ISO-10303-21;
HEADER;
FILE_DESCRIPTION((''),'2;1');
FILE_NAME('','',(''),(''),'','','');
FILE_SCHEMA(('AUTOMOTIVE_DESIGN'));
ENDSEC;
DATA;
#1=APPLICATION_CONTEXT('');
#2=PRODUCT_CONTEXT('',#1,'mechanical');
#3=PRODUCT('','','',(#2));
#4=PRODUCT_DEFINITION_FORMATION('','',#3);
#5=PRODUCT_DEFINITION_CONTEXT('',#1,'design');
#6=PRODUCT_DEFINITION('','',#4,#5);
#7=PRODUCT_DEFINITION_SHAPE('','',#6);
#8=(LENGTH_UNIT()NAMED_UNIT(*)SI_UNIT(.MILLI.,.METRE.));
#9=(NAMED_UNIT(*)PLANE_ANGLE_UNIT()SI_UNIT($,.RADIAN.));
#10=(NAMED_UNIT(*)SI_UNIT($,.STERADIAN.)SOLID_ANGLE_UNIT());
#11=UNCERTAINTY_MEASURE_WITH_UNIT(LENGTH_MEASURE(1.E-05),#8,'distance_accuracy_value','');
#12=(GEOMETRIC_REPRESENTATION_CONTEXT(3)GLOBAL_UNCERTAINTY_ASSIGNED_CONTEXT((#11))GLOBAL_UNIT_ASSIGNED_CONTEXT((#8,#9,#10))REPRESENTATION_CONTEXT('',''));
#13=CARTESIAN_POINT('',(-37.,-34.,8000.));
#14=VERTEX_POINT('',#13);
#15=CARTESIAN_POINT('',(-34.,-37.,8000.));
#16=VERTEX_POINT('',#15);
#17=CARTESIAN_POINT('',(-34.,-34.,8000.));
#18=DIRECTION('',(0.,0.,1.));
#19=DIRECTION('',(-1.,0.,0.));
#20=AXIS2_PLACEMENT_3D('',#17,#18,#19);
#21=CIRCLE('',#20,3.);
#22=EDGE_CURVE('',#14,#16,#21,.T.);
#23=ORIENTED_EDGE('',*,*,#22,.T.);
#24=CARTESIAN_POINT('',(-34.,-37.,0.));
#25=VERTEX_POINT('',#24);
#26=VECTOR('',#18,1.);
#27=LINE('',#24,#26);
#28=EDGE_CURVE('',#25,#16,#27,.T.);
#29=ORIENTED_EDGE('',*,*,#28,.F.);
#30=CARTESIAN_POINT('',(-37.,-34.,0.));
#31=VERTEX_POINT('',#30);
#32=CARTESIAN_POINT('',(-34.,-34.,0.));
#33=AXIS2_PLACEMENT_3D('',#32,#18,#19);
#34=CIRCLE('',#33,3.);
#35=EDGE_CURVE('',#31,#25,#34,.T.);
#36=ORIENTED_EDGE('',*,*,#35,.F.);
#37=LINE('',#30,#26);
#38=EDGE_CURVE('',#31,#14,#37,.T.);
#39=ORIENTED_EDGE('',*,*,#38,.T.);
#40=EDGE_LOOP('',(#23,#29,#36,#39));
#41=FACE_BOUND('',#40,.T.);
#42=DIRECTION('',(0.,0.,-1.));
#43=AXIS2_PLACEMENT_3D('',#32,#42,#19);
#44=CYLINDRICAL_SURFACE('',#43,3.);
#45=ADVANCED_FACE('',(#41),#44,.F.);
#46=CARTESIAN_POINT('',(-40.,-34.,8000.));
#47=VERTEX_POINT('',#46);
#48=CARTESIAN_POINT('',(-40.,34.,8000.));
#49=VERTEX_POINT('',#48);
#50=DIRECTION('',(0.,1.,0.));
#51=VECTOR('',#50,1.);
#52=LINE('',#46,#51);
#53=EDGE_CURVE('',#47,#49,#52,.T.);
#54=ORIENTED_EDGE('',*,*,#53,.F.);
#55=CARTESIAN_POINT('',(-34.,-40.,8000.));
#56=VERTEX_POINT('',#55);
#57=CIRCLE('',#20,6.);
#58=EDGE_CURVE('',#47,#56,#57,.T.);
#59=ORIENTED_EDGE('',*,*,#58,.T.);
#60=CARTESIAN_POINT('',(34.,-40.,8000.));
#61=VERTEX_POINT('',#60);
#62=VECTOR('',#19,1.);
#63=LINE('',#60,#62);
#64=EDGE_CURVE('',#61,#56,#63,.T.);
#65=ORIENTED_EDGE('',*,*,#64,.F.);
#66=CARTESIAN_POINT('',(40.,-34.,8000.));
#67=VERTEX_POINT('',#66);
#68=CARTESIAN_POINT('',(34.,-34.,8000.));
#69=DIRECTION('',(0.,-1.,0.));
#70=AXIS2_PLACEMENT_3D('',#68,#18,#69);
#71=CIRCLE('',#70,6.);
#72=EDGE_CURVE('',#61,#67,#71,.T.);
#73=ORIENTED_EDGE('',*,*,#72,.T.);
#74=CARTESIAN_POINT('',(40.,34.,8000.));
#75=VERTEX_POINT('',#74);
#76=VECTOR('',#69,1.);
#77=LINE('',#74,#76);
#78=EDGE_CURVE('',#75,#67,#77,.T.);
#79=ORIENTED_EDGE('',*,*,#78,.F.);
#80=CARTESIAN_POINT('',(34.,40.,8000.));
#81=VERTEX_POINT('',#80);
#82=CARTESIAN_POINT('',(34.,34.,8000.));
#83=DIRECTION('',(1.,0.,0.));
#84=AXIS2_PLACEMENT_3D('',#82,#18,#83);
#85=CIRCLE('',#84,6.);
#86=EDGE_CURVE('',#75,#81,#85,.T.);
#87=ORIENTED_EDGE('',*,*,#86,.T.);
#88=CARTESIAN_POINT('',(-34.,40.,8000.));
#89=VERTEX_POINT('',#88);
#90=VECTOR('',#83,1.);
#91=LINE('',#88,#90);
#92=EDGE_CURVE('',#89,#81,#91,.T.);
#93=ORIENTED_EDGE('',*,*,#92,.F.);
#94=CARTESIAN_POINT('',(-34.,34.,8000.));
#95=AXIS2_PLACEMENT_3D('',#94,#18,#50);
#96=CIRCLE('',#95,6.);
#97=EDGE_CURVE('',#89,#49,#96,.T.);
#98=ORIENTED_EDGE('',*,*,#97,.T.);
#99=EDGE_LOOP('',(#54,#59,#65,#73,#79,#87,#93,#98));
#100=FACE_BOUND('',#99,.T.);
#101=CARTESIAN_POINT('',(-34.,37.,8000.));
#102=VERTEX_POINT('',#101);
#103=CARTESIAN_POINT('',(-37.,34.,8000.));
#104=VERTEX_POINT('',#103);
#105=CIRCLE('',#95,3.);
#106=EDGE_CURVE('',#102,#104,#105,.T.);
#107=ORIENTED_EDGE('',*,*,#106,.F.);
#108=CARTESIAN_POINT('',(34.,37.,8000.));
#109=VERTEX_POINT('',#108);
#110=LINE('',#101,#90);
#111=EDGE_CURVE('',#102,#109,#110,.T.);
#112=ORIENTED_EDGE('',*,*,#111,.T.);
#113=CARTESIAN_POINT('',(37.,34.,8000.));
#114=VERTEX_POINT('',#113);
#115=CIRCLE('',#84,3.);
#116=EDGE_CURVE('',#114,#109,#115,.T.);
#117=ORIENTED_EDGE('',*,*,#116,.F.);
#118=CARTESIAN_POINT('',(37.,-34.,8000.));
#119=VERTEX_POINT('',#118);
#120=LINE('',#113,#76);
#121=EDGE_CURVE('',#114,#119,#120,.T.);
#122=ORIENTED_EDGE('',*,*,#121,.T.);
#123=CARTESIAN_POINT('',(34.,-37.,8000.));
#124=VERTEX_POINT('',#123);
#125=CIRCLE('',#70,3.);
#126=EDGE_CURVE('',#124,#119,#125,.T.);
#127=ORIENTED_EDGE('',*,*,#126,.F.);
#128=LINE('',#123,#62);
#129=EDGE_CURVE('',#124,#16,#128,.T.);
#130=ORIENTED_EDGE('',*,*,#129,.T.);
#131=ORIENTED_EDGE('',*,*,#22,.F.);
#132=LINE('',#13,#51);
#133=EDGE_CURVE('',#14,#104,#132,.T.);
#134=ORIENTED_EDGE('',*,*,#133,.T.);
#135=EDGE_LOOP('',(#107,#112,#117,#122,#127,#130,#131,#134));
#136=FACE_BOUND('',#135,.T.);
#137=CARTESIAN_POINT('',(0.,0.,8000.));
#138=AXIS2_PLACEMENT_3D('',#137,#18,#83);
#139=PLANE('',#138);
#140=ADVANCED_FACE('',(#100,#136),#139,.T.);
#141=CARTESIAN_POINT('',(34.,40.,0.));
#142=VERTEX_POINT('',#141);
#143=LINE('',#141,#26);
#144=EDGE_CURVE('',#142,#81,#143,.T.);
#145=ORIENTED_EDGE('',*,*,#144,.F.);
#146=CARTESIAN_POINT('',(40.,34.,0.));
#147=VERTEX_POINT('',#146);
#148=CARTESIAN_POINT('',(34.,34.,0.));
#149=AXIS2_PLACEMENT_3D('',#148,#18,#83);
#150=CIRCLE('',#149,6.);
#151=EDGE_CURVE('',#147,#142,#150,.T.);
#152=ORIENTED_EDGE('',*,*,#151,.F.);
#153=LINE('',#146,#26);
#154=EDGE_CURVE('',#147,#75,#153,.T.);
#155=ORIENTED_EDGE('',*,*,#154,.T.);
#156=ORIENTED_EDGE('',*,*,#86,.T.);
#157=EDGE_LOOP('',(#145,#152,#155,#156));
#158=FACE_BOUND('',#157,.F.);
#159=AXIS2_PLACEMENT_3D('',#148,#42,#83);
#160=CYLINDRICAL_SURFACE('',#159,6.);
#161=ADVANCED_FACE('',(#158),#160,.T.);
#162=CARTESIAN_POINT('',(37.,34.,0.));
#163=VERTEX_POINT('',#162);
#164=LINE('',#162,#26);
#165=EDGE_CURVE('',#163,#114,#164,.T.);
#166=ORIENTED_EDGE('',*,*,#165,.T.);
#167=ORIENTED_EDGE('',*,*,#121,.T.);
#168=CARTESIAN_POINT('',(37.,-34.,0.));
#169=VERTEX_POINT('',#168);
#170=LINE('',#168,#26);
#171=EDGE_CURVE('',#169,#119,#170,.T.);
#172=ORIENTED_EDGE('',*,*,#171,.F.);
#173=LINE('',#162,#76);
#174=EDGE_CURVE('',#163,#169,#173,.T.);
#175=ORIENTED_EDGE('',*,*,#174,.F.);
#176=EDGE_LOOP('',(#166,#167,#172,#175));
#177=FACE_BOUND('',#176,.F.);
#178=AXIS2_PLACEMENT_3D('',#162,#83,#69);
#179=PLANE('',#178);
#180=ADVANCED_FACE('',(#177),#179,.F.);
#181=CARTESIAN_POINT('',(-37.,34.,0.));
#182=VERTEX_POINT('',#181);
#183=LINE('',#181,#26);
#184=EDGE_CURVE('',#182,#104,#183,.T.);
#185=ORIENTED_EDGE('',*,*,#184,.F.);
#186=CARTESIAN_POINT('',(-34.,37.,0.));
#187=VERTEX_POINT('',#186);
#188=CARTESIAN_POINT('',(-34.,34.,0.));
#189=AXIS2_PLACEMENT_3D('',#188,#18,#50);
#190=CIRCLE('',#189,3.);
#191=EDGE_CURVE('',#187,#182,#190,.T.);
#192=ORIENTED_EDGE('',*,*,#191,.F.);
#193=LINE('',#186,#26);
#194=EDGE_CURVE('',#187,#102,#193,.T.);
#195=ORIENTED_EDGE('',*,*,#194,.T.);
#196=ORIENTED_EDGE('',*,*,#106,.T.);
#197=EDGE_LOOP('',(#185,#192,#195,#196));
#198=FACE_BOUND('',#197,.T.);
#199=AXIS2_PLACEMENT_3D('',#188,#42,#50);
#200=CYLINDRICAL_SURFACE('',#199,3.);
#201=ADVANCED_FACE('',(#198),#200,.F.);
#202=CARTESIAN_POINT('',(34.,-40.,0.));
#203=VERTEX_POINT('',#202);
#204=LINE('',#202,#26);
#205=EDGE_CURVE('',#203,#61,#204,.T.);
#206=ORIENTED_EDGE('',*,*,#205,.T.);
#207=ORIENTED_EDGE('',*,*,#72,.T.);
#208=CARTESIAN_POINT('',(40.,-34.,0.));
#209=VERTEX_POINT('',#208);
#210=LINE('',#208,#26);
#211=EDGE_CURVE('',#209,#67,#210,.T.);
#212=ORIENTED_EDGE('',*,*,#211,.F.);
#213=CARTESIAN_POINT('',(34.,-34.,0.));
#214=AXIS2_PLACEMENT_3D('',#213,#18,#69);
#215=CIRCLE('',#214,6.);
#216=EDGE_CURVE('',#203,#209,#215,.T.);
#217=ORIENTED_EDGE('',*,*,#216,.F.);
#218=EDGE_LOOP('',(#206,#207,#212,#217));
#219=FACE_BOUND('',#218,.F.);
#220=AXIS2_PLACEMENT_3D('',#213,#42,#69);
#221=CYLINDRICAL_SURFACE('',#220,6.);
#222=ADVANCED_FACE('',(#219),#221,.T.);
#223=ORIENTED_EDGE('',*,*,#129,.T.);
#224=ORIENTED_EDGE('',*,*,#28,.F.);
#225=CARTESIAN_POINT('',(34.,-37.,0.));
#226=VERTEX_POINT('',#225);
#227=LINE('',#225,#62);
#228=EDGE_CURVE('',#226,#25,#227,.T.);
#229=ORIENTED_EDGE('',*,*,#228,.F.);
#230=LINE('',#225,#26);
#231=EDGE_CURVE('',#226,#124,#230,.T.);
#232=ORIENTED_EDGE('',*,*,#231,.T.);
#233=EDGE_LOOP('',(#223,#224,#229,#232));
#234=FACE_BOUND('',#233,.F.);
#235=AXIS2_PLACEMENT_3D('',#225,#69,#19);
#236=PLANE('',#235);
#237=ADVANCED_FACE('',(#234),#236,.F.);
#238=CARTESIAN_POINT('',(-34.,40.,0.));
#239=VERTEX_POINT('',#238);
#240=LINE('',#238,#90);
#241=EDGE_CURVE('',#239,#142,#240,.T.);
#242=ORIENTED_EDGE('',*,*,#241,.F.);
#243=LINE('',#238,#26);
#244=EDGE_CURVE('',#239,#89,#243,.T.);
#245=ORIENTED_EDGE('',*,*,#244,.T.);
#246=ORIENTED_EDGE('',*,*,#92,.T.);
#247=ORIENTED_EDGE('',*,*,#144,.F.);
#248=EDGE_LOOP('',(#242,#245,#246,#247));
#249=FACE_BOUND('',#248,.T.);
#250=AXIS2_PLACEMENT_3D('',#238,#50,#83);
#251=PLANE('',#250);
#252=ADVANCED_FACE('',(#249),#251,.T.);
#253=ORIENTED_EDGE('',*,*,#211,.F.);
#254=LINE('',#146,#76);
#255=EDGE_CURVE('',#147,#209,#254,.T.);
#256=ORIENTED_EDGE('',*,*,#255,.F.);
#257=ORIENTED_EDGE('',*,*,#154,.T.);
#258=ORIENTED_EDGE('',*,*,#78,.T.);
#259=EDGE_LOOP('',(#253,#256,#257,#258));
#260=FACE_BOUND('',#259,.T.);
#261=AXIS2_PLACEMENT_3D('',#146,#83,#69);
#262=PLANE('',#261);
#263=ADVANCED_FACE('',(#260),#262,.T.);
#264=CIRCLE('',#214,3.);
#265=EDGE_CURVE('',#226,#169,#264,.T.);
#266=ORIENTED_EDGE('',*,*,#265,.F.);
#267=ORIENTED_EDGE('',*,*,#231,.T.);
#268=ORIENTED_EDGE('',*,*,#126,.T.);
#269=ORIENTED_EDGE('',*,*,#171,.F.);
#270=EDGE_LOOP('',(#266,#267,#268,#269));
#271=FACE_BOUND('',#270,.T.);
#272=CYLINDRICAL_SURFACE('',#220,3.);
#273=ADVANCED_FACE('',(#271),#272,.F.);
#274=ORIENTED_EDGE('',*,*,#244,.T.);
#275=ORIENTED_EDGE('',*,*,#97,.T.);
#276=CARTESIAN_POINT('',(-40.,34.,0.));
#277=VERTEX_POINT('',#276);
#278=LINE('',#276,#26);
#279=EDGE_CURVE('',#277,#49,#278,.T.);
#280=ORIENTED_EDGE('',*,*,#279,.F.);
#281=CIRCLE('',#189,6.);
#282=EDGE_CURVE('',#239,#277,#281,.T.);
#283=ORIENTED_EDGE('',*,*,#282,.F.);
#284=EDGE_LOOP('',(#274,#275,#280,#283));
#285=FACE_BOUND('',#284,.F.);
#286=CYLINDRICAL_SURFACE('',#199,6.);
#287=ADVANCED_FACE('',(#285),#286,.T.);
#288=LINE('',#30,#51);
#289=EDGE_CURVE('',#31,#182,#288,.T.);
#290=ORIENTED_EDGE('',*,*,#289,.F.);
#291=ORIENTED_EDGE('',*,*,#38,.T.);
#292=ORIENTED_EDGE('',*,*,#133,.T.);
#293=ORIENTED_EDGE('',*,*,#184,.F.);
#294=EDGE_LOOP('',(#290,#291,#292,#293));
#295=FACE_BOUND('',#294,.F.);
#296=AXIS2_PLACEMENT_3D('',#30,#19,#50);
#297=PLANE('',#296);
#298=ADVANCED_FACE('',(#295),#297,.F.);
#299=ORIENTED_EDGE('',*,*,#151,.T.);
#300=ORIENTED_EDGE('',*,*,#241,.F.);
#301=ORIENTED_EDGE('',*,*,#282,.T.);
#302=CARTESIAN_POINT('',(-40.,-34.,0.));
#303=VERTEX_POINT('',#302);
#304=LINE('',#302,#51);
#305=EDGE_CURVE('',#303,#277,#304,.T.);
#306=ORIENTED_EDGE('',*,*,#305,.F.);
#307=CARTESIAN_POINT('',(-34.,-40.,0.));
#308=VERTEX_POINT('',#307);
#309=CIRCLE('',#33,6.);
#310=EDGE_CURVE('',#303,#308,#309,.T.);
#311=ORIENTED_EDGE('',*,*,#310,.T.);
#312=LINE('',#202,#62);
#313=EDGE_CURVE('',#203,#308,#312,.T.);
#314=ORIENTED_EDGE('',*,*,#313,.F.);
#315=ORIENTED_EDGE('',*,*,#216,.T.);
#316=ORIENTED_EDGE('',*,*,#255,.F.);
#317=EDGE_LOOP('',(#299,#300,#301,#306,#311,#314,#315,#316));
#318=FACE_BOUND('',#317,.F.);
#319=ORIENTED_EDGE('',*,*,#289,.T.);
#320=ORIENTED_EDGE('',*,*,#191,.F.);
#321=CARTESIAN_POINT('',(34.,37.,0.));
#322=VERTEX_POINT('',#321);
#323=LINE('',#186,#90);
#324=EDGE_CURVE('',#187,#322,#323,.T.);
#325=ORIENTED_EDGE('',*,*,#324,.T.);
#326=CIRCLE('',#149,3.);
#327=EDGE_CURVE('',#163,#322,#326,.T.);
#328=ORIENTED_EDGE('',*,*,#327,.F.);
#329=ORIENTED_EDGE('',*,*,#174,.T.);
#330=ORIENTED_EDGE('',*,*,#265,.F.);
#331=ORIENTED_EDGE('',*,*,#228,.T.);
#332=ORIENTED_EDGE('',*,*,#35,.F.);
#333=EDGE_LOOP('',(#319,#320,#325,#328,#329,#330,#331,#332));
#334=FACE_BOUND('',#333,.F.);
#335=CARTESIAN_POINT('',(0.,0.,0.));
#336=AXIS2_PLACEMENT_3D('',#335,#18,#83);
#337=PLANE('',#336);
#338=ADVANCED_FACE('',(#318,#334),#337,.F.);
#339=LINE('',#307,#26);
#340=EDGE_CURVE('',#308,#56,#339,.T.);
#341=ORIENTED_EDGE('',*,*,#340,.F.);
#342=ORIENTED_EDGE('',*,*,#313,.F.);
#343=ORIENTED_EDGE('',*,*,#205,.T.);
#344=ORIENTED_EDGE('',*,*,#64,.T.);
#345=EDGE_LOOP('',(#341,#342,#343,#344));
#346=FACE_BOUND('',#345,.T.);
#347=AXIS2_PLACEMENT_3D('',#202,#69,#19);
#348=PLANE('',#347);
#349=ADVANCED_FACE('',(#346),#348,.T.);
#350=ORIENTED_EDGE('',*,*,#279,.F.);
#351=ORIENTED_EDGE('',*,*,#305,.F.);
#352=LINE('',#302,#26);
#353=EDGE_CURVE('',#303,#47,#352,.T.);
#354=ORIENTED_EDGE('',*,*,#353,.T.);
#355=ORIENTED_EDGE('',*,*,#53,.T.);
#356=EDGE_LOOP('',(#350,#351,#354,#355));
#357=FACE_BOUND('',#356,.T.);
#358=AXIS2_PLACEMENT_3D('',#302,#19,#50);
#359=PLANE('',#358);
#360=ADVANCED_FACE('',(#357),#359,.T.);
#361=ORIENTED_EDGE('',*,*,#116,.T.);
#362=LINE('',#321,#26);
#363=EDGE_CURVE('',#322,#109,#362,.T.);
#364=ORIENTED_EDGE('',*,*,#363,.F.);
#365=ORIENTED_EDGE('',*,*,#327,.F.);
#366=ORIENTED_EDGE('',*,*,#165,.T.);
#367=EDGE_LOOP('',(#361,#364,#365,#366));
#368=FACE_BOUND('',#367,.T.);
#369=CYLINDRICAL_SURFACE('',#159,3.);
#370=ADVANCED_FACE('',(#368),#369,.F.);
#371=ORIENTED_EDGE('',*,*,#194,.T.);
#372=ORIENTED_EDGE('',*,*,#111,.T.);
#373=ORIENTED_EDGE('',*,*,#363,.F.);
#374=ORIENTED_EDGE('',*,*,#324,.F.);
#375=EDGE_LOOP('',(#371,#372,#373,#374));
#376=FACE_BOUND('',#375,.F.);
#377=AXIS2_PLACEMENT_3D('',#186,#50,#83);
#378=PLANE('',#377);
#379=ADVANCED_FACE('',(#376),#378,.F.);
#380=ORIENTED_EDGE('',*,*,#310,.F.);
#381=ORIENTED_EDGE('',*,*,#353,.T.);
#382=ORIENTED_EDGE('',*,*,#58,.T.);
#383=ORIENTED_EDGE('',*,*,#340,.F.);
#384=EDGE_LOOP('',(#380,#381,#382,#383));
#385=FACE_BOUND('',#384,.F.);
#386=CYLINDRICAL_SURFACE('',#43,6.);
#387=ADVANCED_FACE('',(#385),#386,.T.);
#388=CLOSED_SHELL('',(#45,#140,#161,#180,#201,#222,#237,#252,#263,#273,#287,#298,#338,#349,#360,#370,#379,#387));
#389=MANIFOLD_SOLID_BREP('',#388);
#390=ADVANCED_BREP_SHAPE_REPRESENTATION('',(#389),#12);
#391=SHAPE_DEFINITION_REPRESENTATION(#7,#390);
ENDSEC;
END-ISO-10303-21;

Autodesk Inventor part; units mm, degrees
ref_plane "YZ Plane" through (0, 0, 0) normal (1, 0, 0) x (0, 1, 0)
ref_plane "Start plane" through (0, 0, 0) normal (0, 0, 1) x (1, 0, 0)
ref_plane "End plane" through (0, 0, 8000) normal (0, 0, 1) x (1, 0, 0)
sketch "Sketch" plane through (0, 0, 0) normal (0, 0, 1) x (1, 0, 0)
  line L0 (-40, -34) -> (-40, 34)
  line L1 (-34, 40) -> (34, 40)
  line L2 (40, 34) -> (40, -34)
  line L3 (34, -40) -> (-34, -40)
  arc A0 (-40, -34) -> (-34, -40) centre (-34, -34) ccw
  arc A1 (40, 34) -> (34, 40) centre (34, 34) ccw
  arc A2 (-34, 40) -> (-40, 34) centre (-34, 34) ccw
  arc A3 (34, -40) -> (40, -34) centre (34, -34) ccw
  arc A4 (-34, 37) -> (-37, 34) centre (-34, 34) ccw
  line L4 (-34, 37) -> (34, 37)
  arc A5 (37, 34) -> (34, 37) centre (34, 34) ccw
  line L5 (37, 34) -> (37, -34)
  arc A6 (34, -37) -> (37, -34) centre (34, -34) ccw
  line L6 (34, -37) -> (-34, -37)
  arc A7 (-37, -34) -> (-34, -37) centre (-34, -34) ccw
  line L7 (-37, -34) -> (-37, 34)
  line L8 (0, 37.1021) -> (0, -37.1021) construction
  line L9 (-23.1021, 0) -> (23.1021, 0) construction
  dimension "d7" = 6
  dimension "d9" = 80
  dimension "d11" = 80
  dimension "d12" = 3
  dimension "d15" = 40
  dimension "d16" = 40
extrude "Body" add sketch "Sketch" along normal up to surface (8000 mm away) from surface at 0
sketch "Sketch3" plane through (0, 0, 0) normal (0, 0, 1) x (1, 0, 0)
  line L0 (0, 0) -> (10, 0)
ref_plane "Work Plane3" through (0, 0, 0) normal (0, -1, 0) x (1, 0, 0)
sketch "Sketch4" plane through (0, 0, 0) normal (0, -1, 0) x (1, 0, 0)
  line L0 (-2, 0) -> (12, 0) projected
  line L1 (-2, 8000) -> (12, 8000) projected
  dimension "d18" = 8000
equation "\"d7\" = G_IR"
equation "\"d9\" = G_W"
equation "\"d11\" = G_H"
equation "\"d12\" = G_T"
equation "\"d15\" = 0.5 * d9"
equation "\"d16\" = 0.5 * d11"
equation "\"d3\" = G_L"
equation "\"G_W\" = 80"
equation "\"G_H\" = 80"
equation "\"G_T\" = 3"
equation "\"G_IR\" = 6"
equation "\"G_L\" = d18"
equation "\"G_OFFSET_START\" = 0"
equation "\"G_OFFSET_END\" = 0"
properties part number "ISO 4019 - 80x80x3 - 8000" material "Steel, Mild"
